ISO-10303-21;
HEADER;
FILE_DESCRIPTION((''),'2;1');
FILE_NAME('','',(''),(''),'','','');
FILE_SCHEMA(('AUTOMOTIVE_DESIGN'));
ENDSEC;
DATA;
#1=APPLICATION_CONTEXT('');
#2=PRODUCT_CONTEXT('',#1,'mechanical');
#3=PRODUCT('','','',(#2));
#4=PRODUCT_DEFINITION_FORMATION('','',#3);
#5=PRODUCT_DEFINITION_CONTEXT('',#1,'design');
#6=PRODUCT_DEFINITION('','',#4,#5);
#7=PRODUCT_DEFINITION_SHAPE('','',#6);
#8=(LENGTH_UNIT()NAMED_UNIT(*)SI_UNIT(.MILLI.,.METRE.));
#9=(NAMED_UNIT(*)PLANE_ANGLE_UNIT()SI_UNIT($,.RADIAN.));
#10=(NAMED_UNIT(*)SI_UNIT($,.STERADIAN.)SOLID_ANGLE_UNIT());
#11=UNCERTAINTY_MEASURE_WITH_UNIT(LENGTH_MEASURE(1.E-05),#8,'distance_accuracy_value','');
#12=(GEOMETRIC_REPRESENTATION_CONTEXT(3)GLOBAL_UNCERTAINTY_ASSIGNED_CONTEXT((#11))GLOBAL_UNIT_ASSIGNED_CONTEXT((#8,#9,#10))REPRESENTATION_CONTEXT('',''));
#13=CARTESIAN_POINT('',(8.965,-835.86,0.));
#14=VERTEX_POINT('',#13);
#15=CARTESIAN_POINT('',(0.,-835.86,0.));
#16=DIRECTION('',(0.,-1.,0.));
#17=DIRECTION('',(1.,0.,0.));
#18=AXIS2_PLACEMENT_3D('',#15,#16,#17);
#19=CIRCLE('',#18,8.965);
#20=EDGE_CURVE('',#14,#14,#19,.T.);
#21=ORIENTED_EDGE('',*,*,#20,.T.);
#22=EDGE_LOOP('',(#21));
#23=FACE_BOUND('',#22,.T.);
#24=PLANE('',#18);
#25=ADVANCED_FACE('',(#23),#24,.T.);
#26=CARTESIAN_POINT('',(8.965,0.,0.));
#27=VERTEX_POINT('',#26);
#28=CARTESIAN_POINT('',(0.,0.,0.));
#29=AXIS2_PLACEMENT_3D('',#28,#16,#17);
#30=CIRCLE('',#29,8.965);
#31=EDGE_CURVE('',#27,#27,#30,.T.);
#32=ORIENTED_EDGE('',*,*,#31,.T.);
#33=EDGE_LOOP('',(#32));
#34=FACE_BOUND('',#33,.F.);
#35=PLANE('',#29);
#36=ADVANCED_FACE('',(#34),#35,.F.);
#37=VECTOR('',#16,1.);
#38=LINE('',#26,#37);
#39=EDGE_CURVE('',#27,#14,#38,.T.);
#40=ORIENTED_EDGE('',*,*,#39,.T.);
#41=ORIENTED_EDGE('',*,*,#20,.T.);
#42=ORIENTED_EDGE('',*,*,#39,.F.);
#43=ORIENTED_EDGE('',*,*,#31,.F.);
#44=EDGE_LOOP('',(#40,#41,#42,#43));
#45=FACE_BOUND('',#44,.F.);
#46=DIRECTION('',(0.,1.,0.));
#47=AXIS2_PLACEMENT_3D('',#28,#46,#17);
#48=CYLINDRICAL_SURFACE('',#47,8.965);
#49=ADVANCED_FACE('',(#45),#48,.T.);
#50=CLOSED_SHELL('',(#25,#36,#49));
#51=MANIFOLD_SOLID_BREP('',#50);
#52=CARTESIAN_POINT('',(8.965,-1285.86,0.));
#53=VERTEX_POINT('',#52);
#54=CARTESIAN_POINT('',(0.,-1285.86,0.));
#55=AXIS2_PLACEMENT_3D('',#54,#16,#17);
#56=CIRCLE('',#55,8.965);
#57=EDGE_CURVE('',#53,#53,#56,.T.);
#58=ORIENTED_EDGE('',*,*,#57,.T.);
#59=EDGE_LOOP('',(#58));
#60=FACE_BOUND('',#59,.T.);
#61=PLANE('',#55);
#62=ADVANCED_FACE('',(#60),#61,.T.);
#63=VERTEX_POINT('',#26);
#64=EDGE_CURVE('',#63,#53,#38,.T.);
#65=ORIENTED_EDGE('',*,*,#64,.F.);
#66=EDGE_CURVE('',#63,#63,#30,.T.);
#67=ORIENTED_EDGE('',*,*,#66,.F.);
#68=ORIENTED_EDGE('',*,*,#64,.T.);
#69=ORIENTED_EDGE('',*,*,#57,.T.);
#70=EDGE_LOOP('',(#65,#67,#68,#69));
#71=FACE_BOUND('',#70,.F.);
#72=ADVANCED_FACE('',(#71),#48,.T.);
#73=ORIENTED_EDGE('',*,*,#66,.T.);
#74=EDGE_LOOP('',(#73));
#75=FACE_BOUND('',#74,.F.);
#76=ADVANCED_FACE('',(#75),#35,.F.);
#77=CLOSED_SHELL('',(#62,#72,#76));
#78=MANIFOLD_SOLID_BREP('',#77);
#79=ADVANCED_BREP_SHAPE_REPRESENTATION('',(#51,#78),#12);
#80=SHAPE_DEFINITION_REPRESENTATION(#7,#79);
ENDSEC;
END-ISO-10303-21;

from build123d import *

# Parameters (mm, degrees)
F5_R     = 8.965
F6_DEPTH = 835.86
F7_DEPTH = 1285.86


with BuildPart() as f6:
    # F5 (on Front) → F6 (new body)
    with BuildSketch(Plane.XZ):
        Circle(F5_R)
    extrude(amount=F6_DEPTH)


with BuildPart() as f7:
    # F5 (on Front) → F7 (new body)
    with BuildSketch(Plane.XZ):
        Circle(F5_R)
    extrude(amount=F7_DEPTH)


solid = Compound([f6.part, f7.part])
